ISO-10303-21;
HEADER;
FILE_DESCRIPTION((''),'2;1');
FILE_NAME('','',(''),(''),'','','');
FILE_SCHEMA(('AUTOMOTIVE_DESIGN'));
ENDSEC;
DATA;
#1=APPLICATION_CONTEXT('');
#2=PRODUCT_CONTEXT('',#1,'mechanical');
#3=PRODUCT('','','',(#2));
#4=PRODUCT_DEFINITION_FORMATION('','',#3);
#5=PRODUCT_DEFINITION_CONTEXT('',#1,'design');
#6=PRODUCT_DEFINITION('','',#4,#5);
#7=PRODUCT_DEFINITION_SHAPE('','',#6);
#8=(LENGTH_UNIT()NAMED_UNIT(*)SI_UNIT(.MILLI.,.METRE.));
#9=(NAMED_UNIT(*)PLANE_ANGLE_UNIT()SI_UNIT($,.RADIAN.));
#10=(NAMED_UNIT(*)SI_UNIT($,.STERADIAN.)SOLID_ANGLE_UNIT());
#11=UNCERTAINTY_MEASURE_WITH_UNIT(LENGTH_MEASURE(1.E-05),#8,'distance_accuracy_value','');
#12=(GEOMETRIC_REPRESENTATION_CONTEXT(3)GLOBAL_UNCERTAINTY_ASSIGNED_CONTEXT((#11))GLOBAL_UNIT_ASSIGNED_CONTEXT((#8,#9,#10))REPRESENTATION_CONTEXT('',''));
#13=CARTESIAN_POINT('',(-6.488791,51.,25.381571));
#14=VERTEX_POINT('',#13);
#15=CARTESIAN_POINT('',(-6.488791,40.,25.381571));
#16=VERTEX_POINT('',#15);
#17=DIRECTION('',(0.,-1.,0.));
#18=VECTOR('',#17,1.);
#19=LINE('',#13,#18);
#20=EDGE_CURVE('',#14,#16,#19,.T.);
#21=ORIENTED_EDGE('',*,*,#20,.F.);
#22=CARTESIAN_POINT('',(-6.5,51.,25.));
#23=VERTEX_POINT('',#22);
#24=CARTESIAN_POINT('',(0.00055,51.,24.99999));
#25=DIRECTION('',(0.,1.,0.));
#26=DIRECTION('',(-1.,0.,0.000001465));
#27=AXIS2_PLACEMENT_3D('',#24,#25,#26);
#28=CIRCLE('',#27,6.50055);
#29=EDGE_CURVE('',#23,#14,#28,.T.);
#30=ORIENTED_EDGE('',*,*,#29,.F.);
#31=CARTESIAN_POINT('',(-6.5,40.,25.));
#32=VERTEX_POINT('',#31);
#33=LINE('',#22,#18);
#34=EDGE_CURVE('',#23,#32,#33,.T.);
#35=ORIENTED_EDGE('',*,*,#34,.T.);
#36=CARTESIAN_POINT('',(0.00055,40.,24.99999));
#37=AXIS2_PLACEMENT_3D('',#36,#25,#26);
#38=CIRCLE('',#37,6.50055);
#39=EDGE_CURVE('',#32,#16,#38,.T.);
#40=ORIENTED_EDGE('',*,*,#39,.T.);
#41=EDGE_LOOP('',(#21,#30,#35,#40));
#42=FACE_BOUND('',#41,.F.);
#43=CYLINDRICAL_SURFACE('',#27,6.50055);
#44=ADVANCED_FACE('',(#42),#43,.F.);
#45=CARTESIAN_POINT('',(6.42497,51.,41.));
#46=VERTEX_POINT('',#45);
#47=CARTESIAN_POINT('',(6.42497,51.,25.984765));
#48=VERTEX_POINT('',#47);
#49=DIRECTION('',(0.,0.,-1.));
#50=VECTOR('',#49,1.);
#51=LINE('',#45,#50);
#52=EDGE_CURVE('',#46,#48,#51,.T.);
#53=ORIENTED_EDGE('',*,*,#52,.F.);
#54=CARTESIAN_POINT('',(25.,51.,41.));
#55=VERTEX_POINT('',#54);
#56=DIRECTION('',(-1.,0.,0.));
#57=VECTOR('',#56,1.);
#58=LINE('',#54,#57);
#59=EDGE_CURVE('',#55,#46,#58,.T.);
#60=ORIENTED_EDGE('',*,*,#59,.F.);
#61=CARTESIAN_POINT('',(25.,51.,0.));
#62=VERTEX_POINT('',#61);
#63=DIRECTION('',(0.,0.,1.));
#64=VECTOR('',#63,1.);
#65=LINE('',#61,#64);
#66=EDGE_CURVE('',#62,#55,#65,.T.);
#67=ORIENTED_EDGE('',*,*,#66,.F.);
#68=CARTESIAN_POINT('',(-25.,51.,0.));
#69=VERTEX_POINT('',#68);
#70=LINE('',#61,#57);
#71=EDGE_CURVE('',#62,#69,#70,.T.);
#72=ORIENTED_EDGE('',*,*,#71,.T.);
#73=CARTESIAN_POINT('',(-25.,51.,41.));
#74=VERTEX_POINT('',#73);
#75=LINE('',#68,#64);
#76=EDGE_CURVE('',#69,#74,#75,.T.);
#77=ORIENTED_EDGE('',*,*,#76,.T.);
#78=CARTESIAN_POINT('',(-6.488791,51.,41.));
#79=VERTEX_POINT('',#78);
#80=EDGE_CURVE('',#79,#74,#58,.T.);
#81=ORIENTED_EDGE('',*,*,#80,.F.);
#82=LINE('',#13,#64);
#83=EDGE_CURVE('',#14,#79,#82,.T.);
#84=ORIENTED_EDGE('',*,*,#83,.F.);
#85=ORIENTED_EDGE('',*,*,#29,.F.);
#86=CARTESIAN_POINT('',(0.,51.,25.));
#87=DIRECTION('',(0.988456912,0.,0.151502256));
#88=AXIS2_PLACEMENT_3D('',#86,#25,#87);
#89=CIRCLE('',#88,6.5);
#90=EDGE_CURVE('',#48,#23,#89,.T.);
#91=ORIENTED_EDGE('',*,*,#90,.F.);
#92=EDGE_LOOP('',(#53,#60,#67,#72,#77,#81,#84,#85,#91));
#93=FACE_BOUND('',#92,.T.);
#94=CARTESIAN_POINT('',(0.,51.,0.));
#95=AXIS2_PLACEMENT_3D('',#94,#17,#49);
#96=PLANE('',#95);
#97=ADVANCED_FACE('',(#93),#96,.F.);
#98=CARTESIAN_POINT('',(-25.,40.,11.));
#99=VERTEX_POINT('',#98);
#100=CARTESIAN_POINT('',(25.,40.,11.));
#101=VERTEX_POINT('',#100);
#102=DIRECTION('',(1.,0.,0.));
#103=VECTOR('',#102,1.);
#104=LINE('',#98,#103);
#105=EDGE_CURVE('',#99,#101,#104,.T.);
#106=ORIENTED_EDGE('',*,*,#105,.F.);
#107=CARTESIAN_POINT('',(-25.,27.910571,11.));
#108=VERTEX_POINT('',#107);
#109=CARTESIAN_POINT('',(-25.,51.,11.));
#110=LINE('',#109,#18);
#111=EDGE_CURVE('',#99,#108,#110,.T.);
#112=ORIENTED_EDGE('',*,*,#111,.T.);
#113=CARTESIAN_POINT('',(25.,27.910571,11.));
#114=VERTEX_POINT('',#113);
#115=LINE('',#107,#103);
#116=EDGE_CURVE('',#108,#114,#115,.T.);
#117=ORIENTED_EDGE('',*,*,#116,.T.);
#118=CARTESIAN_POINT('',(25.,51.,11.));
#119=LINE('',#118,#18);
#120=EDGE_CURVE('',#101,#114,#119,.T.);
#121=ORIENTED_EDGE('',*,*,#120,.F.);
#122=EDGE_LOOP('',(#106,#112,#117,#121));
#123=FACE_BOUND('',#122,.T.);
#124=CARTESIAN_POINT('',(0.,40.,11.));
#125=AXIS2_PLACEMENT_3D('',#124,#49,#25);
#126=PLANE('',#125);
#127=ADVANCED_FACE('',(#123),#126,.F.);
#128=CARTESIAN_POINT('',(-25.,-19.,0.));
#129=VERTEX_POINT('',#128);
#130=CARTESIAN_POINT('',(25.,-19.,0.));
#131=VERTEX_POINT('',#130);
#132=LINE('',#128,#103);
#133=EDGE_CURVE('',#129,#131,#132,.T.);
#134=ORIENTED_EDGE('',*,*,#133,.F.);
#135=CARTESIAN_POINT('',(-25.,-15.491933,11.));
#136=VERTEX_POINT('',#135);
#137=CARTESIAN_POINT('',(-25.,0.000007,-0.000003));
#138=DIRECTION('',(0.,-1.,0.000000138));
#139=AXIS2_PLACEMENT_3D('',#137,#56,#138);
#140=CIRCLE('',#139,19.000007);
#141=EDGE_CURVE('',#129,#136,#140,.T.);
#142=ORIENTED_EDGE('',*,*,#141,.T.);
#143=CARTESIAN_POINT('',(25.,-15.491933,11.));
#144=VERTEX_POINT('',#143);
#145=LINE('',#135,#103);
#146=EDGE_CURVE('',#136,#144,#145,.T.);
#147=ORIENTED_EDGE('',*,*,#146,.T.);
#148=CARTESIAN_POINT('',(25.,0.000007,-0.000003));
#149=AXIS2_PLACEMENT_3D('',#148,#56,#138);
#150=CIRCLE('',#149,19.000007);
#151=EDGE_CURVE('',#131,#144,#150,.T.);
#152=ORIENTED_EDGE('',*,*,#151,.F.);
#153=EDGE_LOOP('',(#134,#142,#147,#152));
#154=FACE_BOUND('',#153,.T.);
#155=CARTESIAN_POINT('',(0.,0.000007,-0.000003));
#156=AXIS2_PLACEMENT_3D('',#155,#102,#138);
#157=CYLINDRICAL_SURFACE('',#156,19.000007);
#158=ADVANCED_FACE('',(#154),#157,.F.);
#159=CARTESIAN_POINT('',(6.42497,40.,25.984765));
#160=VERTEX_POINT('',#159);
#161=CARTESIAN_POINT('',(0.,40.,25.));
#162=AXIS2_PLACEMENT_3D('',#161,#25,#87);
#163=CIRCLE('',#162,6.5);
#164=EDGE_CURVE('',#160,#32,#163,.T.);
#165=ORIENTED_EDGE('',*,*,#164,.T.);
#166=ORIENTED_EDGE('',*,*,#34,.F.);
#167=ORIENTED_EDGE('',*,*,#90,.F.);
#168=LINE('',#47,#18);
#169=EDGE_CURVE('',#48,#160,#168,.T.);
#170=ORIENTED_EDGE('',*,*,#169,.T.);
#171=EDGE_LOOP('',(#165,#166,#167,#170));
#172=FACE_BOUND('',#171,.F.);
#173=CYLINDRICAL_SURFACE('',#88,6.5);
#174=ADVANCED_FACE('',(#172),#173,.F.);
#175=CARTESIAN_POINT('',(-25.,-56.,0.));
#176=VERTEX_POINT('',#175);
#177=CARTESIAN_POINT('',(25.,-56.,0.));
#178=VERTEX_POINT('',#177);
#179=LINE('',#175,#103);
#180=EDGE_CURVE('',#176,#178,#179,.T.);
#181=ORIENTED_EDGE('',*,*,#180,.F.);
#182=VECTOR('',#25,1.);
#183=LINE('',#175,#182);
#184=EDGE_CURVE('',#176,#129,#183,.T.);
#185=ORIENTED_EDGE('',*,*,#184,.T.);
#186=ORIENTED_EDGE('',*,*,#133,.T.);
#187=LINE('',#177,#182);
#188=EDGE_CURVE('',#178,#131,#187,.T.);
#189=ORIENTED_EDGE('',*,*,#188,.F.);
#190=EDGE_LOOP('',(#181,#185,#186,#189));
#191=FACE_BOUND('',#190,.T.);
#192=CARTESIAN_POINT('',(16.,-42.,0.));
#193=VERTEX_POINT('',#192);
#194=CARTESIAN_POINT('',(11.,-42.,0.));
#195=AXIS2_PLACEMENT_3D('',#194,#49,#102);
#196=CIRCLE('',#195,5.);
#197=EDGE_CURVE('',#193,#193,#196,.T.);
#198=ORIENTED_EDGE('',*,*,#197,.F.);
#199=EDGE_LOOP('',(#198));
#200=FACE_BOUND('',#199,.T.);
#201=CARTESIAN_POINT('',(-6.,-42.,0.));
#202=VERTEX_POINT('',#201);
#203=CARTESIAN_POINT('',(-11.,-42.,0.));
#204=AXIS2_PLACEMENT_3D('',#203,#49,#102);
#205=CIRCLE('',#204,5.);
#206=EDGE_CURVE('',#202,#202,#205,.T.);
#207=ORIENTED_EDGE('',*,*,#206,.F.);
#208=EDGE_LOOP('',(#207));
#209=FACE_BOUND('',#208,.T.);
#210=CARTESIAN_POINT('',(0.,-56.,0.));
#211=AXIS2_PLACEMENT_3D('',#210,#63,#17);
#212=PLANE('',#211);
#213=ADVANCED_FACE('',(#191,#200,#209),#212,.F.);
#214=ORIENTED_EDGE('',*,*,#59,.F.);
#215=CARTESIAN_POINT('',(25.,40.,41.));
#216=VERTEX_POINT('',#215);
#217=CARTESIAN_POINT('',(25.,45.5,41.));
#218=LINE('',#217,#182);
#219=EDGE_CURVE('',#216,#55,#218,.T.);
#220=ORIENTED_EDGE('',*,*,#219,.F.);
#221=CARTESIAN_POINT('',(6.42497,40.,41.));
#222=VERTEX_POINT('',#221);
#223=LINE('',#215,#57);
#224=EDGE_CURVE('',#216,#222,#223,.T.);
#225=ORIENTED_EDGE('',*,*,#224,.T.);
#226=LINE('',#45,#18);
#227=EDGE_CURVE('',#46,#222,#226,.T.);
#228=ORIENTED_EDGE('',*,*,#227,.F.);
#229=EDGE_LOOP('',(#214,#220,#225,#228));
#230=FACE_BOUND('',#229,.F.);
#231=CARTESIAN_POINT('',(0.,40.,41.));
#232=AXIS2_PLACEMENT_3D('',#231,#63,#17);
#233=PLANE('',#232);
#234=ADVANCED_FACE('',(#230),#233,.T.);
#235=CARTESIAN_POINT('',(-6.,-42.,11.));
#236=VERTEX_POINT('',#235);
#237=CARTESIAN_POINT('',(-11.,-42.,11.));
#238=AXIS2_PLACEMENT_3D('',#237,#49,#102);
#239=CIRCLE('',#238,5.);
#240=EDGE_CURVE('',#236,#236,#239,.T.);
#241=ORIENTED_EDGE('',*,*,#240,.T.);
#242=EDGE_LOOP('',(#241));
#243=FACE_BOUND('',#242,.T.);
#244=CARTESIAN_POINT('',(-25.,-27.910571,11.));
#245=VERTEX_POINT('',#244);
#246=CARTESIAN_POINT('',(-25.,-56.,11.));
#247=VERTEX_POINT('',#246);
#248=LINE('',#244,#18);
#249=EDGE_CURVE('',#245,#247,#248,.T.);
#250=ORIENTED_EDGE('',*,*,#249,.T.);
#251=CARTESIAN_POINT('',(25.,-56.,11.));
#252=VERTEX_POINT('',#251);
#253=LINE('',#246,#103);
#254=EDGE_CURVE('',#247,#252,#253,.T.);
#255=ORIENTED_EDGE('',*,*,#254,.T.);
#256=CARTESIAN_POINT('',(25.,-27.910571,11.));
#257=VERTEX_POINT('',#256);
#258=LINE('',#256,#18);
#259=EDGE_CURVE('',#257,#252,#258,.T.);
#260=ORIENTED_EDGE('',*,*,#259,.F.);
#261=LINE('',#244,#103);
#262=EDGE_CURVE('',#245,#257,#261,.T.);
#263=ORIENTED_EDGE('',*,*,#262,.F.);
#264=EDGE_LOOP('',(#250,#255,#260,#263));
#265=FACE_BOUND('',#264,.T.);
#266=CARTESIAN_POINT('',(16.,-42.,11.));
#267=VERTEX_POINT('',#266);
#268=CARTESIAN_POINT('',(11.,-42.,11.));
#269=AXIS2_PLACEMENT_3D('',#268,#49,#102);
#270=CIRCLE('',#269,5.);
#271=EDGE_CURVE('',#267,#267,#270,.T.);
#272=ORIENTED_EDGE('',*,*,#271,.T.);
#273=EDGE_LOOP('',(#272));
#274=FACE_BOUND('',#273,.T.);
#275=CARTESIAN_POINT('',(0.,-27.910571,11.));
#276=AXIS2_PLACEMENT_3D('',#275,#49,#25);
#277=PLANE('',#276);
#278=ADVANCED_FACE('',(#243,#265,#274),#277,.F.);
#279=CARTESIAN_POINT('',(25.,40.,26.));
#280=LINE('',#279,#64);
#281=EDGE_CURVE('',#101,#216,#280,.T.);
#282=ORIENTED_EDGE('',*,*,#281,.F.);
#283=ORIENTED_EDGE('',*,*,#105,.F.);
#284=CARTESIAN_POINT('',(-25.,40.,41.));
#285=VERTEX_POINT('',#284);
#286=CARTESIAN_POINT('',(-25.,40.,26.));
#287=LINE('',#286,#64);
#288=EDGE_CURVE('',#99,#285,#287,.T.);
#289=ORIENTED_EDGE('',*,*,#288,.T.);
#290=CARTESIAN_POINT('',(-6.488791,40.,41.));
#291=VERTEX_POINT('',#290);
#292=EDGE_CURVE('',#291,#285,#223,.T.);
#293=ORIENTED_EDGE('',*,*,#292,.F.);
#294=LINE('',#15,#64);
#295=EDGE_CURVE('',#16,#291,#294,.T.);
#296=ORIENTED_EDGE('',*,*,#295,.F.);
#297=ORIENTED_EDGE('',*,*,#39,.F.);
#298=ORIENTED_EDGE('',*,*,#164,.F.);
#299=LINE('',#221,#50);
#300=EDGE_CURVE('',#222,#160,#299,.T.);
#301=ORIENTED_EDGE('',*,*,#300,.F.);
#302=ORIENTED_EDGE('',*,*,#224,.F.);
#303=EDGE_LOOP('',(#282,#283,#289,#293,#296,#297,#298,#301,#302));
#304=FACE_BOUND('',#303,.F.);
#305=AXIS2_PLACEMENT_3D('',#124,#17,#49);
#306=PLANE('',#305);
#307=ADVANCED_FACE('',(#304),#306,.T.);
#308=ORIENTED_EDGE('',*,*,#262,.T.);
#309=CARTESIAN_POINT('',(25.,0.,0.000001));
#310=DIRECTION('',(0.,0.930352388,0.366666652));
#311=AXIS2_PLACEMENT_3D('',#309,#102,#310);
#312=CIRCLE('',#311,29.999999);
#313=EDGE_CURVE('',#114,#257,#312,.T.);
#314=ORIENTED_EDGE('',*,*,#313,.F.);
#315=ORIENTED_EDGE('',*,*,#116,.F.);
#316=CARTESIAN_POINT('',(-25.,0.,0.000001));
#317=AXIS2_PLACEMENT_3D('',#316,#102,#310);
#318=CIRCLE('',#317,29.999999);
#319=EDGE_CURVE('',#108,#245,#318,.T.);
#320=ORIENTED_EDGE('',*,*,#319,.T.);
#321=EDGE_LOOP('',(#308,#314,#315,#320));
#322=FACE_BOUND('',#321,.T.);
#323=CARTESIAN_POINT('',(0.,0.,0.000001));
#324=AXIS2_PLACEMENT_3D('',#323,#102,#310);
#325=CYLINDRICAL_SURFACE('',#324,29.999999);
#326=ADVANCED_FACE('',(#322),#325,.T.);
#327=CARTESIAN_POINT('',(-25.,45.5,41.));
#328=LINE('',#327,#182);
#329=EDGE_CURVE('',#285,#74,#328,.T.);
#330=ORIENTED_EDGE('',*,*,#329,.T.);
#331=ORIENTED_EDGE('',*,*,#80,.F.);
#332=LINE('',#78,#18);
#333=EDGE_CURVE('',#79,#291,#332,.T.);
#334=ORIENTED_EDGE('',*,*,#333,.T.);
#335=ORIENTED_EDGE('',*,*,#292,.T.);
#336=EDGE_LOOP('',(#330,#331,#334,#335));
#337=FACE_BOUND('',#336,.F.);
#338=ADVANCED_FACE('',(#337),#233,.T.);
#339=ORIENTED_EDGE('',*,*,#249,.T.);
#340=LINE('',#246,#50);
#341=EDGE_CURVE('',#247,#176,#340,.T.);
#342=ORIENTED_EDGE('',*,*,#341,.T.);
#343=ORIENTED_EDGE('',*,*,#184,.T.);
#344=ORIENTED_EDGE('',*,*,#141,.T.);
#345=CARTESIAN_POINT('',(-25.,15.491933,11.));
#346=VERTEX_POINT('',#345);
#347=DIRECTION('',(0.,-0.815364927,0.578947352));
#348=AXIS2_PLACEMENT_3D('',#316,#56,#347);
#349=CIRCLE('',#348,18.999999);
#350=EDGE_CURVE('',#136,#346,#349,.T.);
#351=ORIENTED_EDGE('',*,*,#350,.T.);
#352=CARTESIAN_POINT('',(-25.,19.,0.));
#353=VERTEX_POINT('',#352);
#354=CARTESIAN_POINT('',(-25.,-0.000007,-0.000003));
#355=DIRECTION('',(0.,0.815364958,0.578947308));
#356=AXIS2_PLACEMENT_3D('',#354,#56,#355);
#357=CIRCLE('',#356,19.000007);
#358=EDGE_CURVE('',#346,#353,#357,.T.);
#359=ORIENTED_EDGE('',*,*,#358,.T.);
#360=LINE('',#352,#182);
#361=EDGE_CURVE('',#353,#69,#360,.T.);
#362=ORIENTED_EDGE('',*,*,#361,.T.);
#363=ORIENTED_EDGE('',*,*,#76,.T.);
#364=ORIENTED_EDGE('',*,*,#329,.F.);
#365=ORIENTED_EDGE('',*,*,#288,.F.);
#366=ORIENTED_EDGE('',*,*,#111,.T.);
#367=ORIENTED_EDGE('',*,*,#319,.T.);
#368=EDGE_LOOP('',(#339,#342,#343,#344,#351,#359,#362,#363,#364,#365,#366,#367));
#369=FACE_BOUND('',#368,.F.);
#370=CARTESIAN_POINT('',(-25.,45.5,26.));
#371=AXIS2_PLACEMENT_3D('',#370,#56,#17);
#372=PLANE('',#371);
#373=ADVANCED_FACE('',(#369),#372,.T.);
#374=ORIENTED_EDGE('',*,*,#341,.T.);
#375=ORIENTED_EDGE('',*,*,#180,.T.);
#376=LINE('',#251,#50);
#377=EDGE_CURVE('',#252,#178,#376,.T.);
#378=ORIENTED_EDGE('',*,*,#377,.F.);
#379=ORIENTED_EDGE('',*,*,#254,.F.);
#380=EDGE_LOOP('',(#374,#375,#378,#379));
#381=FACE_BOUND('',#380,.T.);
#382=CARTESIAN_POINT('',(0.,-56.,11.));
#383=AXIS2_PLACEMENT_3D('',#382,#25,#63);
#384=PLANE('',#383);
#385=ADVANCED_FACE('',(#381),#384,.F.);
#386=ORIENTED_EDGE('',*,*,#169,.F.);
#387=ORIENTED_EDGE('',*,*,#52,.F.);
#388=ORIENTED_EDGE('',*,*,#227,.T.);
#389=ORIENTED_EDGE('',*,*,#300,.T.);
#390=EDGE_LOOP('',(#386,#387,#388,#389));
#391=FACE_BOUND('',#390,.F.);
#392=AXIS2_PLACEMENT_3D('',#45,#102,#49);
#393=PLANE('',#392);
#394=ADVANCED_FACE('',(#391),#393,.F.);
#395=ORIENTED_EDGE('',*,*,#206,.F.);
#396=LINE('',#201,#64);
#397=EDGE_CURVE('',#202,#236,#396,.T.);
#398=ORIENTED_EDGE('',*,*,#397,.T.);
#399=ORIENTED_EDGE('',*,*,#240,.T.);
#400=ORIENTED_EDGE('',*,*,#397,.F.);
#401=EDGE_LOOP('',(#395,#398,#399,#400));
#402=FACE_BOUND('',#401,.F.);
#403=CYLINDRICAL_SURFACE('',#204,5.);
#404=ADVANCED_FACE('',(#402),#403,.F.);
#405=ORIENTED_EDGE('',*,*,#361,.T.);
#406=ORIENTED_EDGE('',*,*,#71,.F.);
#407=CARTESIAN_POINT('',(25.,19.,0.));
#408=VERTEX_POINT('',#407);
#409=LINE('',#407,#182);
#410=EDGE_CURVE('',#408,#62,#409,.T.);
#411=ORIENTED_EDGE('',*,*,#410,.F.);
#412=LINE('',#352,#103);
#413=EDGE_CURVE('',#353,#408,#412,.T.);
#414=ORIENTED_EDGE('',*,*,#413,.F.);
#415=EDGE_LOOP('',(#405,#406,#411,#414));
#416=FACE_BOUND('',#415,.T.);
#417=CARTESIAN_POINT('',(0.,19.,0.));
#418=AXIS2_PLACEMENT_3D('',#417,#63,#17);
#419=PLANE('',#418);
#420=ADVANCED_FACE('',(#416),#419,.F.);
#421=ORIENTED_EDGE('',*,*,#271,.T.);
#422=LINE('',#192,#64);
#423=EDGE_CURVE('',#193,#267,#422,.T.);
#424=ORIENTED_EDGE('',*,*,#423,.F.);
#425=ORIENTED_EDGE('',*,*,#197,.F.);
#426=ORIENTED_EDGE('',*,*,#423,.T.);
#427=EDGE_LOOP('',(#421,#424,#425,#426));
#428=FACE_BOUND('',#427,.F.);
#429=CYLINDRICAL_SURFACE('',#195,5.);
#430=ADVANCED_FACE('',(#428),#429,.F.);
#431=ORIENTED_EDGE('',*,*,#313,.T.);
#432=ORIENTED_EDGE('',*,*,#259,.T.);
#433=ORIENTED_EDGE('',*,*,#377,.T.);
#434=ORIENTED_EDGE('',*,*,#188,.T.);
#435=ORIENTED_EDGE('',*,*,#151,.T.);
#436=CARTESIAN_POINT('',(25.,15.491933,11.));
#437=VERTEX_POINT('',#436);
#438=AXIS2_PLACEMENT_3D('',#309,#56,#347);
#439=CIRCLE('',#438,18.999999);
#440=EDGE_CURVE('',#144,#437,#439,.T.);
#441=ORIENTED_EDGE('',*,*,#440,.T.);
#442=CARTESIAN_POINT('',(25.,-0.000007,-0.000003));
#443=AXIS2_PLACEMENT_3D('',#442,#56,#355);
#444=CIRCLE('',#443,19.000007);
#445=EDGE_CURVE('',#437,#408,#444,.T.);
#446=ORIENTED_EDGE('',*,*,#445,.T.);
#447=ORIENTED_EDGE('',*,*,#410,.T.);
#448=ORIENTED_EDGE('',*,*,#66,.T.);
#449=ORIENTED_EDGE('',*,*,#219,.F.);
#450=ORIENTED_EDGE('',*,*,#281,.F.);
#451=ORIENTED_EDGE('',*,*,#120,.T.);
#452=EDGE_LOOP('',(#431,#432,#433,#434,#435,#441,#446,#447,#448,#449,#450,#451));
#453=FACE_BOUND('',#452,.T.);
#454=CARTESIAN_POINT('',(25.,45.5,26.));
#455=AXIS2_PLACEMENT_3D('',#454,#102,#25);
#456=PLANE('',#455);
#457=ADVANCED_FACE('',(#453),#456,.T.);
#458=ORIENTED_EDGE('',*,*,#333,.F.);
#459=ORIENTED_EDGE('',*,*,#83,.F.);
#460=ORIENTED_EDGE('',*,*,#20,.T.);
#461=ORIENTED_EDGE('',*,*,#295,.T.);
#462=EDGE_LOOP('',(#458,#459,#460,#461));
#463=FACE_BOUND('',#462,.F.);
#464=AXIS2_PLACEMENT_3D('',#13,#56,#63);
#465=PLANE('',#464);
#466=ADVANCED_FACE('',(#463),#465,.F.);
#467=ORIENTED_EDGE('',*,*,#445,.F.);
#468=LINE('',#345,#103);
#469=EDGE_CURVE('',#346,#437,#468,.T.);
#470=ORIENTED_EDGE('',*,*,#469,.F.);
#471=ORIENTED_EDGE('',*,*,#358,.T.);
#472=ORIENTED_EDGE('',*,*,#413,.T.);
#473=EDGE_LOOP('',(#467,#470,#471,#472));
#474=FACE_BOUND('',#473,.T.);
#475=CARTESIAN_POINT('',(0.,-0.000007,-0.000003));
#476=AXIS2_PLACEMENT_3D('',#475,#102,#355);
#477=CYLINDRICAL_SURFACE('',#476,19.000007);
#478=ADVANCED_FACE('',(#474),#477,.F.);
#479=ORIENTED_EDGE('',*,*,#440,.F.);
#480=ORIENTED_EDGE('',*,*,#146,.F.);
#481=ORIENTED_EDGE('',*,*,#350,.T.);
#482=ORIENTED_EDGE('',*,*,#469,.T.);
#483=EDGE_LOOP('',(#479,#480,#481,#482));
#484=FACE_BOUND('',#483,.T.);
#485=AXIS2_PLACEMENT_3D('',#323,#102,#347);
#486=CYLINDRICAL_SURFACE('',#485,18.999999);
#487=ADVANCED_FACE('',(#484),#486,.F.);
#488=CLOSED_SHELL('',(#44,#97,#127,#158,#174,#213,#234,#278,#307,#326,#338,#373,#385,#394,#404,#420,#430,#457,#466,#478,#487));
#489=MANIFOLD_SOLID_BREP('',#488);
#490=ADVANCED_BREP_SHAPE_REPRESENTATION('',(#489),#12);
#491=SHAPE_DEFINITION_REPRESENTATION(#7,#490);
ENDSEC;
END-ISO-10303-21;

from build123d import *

# Parameters (mm, degrees)
F0_W     = 11
F0_H     = 30
F1_DEPTH = 25
F4_DEPTH = 11
F5_R     = 5
F6_DEPTH = 11


with BuildPart() as f1:
    # F0 (on Right) → F1 (new body)
    with BuildSketch(Plane.YZ):
        with Locations((45.5, 26)):
            Rectangle(F0_W, F0_H)
        with BuildLine():
            ThreePointArc((27.910571, 11), (29.473014, 5.598342), (30, 0))
            Line((30, 0), (51, 0))
            Line((51, 0), (51, 11))
            Line((51, 11), (40, 11))
            Line((40, 11), (27.910571, 11))
        make_face()
        with BuildLine():
            ThreePointArc((-15.491933, 11), (0, 19), (15.491933, 11))
            Line((15.491933, 11), (27.910571, 11))
            ThreePointArc((27.910571, 11), (0, 30), (-27.910571, 11))
            Line((-27.910571, 11), (-15.491933, 11))
        make_face()
        with BuildLine():
            Line((-30, 0), (-19, 0))
            ThreePointArc((-19, 0), (-18.10175, 5.772922), (-15.491933, 11))
            Line((-15.491933, 11), (-27.910571, 11))
            ThreePointArc((-27.910571, 11), (-29.473014, 5.598342), (-30, 0))
        make_face()
        with BuildLine():
            ThreePointArc((15.491933, 11), (18.10175, 5.772922), (19, 0))
            Line((19, 0), (30, 0))
            ThreePointArc((30, 0), (29.473014, 5.598342), (27.910571, 11))
            Line((27.910571, 11), (15.491933, 11))
        make_face()
        with BuildLine():
            Line((-56, 0), (-30, 0))
            ThreePointArc((-30, 0), (-29.473014, 5.598342), (-27.910571, 11))
            Line((-27.910571, 11), (-56, 11))
            Line((-56, 11), (-56, 0))
        make_face()
    extrude(amount=F1_DEPTH)

    # F2: F1 across face


with BuildPart() as f1_1:
    add(f1.part)
    add(f1.part.mirror(Plane(origin=(0, 7.065058, 14.616271), x_dir=(0, 1, 0), z_dir=(-1, 0, 0))))

    # F3 (on face) → F4 (cut)
    with BuildSketch(Plane(origin=(0, 51, 0), x_dir=(-1, 0, 0), z_dir=(0, 1, 0))):
        with BuildLine():
            ThreePointArc((-6.42497, 25.984765), (-0.49381, 18.518785), (6.5, 25))
            ThreePointArc((6.5, 25), (6.497197, 25.190868), (6.488791, 25.381571))
            ThreePointArc((6.488791, 25.381571), (0.303281, 31.492921), (-6.42497, 25.984765))
        make_face()
        with BuildLine():
            ThreePointArc((-6.42497, 25.984765), (0.303281, 31.492921), (6.488791, 25.381571))
            Line((6.488791, 25.381571), (6.488791, 41))
            Line((6.488791, 41), (-6.42497, 41))
            Line((-6.42497, 41), (-6.42497, 25.984765))
        make_face()
    extrude(amount=-F4_DEPTH, mode=Mode.SUBTRACT)

    # F5 (on face) → F6 (cut)
    with BuildSketch(Plane(origin=(0, 0, 0), x_dir=(1, 0, 0), z_dir=(0, 0, -1))):
        with Locations((-11, 42)):
            Circle(F5_R)
        with Locations((11, 42)):
            Circle(F5_R)
    extrude(amount=-F6_DEPTH, mode=Mode.SUBTRACT)


solid = f1_1.part
